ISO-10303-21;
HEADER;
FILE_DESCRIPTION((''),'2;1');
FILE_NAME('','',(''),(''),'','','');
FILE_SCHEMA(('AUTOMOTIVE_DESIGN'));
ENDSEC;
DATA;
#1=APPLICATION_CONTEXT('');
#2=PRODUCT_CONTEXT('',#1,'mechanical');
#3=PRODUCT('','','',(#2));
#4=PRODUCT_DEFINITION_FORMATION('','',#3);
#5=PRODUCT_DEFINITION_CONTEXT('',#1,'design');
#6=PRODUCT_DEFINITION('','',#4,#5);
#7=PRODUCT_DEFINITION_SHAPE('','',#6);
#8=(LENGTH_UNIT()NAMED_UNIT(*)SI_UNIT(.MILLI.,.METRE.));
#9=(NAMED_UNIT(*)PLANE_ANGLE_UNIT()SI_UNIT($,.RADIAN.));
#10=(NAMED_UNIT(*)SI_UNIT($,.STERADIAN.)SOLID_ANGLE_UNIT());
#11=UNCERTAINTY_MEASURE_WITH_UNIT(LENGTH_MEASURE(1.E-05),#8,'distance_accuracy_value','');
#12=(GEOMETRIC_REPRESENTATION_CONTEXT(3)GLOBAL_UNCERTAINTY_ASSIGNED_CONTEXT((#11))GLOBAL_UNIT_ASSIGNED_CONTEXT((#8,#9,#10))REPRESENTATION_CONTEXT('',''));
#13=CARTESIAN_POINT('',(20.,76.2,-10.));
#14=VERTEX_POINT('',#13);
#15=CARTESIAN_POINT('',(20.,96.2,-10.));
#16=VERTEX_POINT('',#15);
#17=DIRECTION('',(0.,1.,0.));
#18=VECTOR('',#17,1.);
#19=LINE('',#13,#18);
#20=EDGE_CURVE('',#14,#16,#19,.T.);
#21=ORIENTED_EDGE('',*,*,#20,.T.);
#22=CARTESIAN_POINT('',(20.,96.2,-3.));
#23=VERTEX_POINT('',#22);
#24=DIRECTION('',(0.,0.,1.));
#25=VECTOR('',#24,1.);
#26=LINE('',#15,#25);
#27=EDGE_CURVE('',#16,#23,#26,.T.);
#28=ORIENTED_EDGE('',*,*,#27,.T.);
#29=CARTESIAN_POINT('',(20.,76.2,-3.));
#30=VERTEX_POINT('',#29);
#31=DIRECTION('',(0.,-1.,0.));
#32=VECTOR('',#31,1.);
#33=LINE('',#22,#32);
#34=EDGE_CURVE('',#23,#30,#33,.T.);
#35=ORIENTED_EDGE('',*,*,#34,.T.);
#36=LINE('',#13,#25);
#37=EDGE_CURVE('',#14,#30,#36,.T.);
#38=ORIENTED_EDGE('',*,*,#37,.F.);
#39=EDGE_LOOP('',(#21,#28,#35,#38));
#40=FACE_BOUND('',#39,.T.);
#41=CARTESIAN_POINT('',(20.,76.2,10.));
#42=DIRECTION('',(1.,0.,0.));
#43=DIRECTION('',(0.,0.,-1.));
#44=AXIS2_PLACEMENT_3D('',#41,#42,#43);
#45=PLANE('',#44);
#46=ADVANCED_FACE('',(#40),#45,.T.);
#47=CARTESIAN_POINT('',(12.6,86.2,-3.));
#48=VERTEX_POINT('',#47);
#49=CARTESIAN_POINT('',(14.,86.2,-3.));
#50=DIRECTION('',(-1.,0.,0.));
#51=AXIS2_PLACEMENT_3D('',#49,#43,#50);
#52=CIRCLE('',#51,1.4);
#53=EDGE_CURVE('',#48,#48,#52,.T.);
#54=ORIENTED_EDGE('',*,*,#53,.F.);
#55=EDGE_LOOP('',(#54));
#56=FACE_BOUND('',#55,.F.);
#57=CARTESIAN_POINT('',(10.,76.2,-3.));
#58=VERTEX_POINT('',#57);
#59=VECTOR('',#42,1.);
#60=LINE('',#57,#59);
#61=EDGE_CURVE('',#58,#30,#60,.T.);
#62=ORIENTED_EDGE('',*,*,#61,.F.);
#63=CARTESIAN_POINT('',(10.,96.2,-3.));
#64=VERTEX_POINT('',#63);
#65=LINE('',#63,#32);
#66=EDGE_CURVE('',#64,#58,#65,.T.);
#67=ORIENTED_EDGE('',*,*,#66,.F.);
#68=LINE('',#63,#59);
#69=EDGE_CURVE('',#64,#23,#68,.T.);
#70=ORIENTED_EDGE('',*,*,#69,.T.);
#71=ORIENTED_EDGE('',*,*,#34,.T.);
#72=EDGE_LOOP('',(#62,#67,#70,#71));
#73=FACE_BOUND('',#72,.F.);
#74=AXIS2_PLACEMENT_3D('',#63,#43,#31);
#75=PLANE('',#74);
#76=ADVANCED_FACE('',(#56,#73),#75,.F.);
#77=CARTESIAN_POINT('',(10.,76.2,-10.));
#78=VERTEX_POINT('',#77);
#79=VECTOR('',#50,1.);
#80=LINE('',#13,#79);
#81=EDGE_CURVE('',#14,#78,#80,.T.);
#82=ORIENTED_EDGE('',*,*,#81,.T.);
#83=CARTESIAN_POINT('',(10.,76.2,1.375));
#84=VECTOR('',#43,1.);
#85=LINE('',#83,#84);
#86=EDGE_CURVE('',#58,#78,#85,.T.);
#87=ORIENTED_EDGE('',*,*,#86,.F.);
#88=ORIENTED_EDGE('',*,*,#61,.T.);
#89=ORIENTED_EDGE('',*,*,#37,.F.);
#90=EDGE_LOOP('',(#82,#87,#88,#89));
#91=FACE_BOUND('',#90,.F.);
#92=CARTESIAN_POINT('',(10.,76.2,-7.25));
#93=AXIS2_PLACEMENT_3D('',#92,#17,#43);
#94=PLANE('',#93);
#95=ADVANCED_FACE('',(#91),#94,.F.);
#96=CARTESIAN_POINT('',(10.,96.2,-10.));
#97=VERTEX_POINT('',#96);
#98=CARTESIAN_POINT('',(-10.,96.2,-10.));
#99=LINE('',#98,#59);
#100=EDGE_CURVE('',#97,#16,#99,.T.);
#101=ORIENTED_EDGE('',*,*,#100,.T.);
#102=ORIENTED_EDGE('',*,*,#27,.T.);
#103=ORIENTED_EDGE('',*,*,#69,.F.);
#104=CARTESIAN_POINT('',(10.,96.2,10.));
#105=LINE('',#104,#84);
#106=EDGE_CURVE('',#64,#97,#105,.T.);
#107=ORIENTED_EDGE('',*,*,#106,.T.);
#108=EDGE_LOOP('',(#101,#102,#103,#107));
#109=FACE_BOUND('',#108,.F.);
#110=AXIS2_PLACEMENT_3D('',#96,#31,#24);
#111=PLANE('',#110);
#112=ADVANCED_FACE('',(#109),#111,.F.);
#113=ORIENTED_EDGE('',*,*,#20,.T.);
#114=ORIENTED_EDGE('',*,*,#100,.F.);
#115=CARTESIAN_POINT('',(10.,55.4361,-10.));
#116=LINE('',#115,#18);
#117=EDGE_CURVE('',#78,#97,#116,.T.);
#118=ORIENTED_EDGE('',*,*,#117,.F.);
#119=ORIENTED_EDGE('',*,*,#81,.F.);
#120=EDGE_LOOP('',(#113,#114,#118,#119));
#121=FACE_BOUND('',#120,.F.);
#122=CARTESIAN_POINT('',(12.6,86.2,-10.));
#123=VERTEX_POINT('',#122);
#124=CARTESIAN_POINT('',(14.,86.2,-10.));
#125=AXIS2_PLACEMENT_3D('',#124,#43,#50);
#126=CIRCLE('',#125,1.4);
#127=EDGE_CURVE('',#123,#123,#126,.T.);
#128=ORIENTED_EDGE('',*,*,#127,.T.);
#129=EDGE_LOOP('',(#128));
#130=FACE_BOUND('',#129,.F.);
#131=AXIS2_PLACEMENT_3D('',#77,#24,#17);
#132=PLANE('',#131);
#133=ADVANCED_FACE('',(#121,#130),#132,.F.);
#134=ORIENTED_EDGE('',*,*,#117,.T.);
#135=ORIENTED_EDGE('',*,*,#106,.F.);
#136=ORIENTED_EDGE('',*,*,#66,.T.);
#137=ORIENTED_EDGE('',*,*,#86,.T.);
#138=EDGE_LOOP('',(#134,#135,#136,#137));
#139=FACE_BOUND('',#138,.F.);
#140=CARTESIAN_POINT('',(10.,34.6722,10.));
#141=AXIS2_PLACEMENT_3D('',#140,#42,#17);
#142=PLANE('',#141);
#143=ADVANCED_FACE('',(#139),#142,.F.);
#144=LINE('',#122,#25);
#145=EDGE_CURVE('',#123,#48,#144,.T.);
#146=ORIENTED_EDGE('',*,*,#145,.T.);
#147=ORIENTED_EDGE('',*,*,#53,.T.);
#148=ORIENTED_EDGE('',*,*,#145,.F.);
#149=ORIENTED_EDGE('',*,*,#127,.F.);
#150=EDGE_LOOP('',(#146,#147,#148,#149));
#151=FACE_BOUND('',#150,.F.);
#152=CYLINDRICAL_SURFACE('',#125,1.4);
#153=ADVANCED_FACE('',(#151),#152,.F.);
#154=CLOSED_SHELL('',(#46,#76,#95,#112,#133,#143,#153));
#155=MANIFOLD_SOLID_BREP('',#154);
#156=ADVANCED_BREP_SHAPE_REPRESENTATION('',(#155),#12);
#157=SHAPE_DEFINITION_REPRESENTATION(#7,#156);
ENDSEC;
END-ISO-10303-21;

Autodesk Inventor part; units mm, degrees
ref_plane "YZ Plane" through (0, 0, 0) normal (1, 0, 0) x (0, 1, 0)
ref_plane "XZ Plane" through (0, 0, 0) normal (0, 1, 0) x (-1, 0, 0)
ref_plane "XY Plane" through (0, 0, 0) normal (0, 0, 1) x (1, 0, 0)
sketch "Sketch1" plane through (0, 0, 0) normal (0, 1, 0) x (-1, 0, 0)
  line L0 (-7.25, 7.25) -> (7.25, 7.25)
  line L1 (7.25, 7.25) -> (7.25, -7.25)
  line L2 (7.25, -7.25) -> (-7.25, -7.25)
  line L3 (-7.25, -7.25) -> (-7.25, 7.25)
  line L4 (-7.25, 7.25) -> (7.25, -7.25) construction
  line L5 (7.25, 7.25) -> (-7.25, -7.25) construction
  point P0 (0, 0)
  dimension "d0" = 14.5
  dimension "d1" = 14.5
extrude "Extrusion1" add sketch "Sketch1" along normal blind 76.2
sketch "Sketch2" plane through (0, 76.2, 0) normal (0, 1, 0) x (1, 0, 0)
  line L0 (10, -10) -> (-10, -10)
  line L1 (-10, -10) -> (-10, 10)
  line L2 (-10, 10) -> (10, 10)
  line L3 (10, 10) -> (10, -10)
  line L4 (10, -10) -> (-10, 10) construction
  line L5 (-10, -10) -> (10, 10) construction
  point P0 (0, 0)
  dimension "d4" = 20
  dimension "d5" = 20
extrude "Extrusion2" add sketch "Sketch2" along normal blind 5
sketch "Sketch3" plane through (0, 81.2, 0) normal (0, 1, 0) x (1, 0, 0)
  line L0 (7.5, -7.5) -> (-7.5, -7.5)
  line L1 (-7.5, -7.5) -> (-7.5, 7.5)
  line L2 (-7.5, 7.5) -> (7.5, 7.5)
  line L3 (7.5, 7.5) -> (7.5, -7.5)
  line L4 (7.5, -7.5) -> (-7.5, 7.5) construction
  line L5 (-7.5, -7.5) -> (7.5, 7.5) construction
  line L6 (10, -10) -> (-10, -10)
  line L7 (-10, -10) -> (-10, 10)
  line L8 (-10, 10) -> (10, 10)
  line L9 (10, 10) -> (10, -10)
  line L10 (10, -10) -> (-10, 10) construction
  line L11 (-10, -10) -> (10, 10) construction
  point P0 (0, 0)
  dimension "d8" = 15
  dimension "d9" = 15
extrude "Extrusion3" add sketch "Sketch3" along normal blind 76.2
sketch "Sketch4" plane through (10, 76.2, 10) normal (1, 0, 0) x (0, 0, -1)
  line L0 (20, 0) -> (20, 81.2) projected
  line L1 (15, 81.2) -> (15, 0)
  line L2 (0, 0) -> (20, 0) projected
  line L3 (15, 81.2) -> (13, 81.2)
  line L4 (17.5, 81.2) -> (2.5, 81.2) projected
  line L5 (13, 81.2) -> (13, 0)
  line L6 (13, 0) -> (15, 0)
  line L7 (20, 81.2) -> (0, 81.2) projected
  point P0 (10, -76.2)
  dimension "d12" = 2
extrude "Extrusion4" add sketch "Sketch4" along normal blind 10 contours L2 L5 L3 L1
sketch "Sketch5" plane through (10, 76.2, -3) normal (0, 0, 1) x (1, 0, 0)
  line L0 (0, 81.2) -> (10, 81.2) projected
  line L1 (10, 81.2) -> (8, 81.2)
  line L2 (8, 81.2) -> (8, 0)
  line L3 (8, 0) -> (10, 0)
  line L4 (10, 0) -> (10, 81.2)
  point P0 (-10, -76.2)
  dimension "d15" = 2
extrude "Extrusion5" add sketch "Sketch5" along normal blind 8
sketch "Sketch6" plane through (20, 76.2, 10) normal (1, 0, 0) x (0, 0, -1)
  line L0 (5, 81.2) -> (3, 81.2)
  line L1 (3, 81.2) -> (3, 0)
  line L2 (3, 0) -> (5, 0)
  line L3 (5, 0) -> (5, 81.2)
  point P0 (10, -76.2)
  dimension "d18" = 2
extrude "Extrusion6" add sketch "Sketch6" against normal blind 4
sketch "Sketch7" plane through (0, 76.2, 0) normal (0, -1, 0) x (1, 0, 0)
  line L0 (10, -5) -> (20, -5)
  line L1 (20, -5) -> (20, 7)
  line L2 (20, 7) -> (10, 7)
  line L3 (10, 7) -> (10, -5)
  point P0 (0, 0)
extrude "Extrusion7" cut sketch "Sketch7" against normal through all
sketch "Sketch8" plane through (7.25, 0, -7.25) normal (0, 0, -1) x (-1, 0, 0)
  line L0 (0, 0) -> (0, 76.2)
  line L1 (0, 0) -> (0, 76.2) projected
  line L2 (0, 38.1) -> (14.5, 38.1)
  line L3 (14.5, 38.1) -> (14.5, 0)
  line L4 (14.5, 0) -> (0, 0)
  line L5 (0, 0) -> (0, 38.1)
  point P0 (7.25, 0)
extrude "Extrusion8" cut sketch "Sketch8" against normal through all
sketch "Sketch9" plane through (10, 76.2, -10) normal (0, 0, -1) x (-1, 0, 0)
  line L0 (0, 0) -> (0, 20)
  line L1 (0, 0) -> (0, 81.2) projected
  line L2 (0, 20) -> (20, 20)
  line L3 (20, 20) -> (20, 81.2)
  line L4 (20, 81.2) -> (0, 81.2)
  line L5 (0, 81.2) -> (0, 20)
  point P0 (10, -76.2)
  dimension "d25" = 20
extrude "Extrusion9" cut sketch "Sketch9" against normal through all
sketch "Sketch10" plane through (-10, 96.2, -10) normal (0, 1, 0) x (1, 0, 0)
  line L0 (17.5, -2.5) -> (2.5, -2.5)
  line L1 (2.5, -2.5) -> (2.5, -17.5)
  line L2 (2.5, -17.5) -> (17.5, -17.5)
  line L3 (17.5, -17.5) -> (17.5, -2.5)
  point P0 (10, -10)
extrude "Extrusion10" add sketch "Sketch10" against normal blind 15
sketch "Sketch12" plane through (10, 76.2, 10) normal (1, 0, 0) x (0, 0, -1)
  line L0 (20, 20) -> (9, 20)
  line L1 (20, 20) -> (0, 20) projected
  line L2 (2.75, 0) -> (17.25, 0) projected
  line L3 (20, 20) -> (13, 20)
  line L4 (13, 20) -> (13, 0)
  line L5 (13, 0) -> (20, 0)
  line L6 (20, 0) -> (20, 20)
  point P0 (10, -76.2)
  dimension "d30" = 11
  dimension "d31" = 7
extrude "Extrusion11" add sketch "Sketch12" along normal blind 10
sketch "Sketch13" plane through (-10, 76.2, -10) normal (0, 0, -1) x (-1, 0, 0)
  line L0 (-17.25, 0) -> (-17.25, 20)
  line L1 (0, 20) -> (-30, 20) projected
  line L2 (-17.25, -38.1) -> (-17.25, 0) projected
  line L3 (-20, 0) -> (-20, 20)
  line L4 (-20, 0) -> (-20, 20) projected
  line L5 (-20, 10) -> (-24, 10)
  circle A0 centre (-24, 10) radius 1.4
  point P0 (-10, -76.2)
  dimension "d34" = 4
  dimension "d35" = 2.8
extrude "Extrusion12" cut sketch "Sketch13" against normal through all
sketch "Sketch14" plane through (-10, 76.2, 10) normal (0, 0, 1) x (1, 0, 0)
  line L0 (20, 20) -> (-2.0792, 20)
  line L1 (-2.0792, 20) -> (-2.0792, -41.5278)
  line L2 (-2.0792, -41.5278) -> (20, -41.5278)
  line L3 (20, -41.5278) -> (20, 20)
  point P0 (10, -76.2)
extrude "Extrusion13" cut sketch "Sketch14" against normal through all
properties part number "NailBitHold"
